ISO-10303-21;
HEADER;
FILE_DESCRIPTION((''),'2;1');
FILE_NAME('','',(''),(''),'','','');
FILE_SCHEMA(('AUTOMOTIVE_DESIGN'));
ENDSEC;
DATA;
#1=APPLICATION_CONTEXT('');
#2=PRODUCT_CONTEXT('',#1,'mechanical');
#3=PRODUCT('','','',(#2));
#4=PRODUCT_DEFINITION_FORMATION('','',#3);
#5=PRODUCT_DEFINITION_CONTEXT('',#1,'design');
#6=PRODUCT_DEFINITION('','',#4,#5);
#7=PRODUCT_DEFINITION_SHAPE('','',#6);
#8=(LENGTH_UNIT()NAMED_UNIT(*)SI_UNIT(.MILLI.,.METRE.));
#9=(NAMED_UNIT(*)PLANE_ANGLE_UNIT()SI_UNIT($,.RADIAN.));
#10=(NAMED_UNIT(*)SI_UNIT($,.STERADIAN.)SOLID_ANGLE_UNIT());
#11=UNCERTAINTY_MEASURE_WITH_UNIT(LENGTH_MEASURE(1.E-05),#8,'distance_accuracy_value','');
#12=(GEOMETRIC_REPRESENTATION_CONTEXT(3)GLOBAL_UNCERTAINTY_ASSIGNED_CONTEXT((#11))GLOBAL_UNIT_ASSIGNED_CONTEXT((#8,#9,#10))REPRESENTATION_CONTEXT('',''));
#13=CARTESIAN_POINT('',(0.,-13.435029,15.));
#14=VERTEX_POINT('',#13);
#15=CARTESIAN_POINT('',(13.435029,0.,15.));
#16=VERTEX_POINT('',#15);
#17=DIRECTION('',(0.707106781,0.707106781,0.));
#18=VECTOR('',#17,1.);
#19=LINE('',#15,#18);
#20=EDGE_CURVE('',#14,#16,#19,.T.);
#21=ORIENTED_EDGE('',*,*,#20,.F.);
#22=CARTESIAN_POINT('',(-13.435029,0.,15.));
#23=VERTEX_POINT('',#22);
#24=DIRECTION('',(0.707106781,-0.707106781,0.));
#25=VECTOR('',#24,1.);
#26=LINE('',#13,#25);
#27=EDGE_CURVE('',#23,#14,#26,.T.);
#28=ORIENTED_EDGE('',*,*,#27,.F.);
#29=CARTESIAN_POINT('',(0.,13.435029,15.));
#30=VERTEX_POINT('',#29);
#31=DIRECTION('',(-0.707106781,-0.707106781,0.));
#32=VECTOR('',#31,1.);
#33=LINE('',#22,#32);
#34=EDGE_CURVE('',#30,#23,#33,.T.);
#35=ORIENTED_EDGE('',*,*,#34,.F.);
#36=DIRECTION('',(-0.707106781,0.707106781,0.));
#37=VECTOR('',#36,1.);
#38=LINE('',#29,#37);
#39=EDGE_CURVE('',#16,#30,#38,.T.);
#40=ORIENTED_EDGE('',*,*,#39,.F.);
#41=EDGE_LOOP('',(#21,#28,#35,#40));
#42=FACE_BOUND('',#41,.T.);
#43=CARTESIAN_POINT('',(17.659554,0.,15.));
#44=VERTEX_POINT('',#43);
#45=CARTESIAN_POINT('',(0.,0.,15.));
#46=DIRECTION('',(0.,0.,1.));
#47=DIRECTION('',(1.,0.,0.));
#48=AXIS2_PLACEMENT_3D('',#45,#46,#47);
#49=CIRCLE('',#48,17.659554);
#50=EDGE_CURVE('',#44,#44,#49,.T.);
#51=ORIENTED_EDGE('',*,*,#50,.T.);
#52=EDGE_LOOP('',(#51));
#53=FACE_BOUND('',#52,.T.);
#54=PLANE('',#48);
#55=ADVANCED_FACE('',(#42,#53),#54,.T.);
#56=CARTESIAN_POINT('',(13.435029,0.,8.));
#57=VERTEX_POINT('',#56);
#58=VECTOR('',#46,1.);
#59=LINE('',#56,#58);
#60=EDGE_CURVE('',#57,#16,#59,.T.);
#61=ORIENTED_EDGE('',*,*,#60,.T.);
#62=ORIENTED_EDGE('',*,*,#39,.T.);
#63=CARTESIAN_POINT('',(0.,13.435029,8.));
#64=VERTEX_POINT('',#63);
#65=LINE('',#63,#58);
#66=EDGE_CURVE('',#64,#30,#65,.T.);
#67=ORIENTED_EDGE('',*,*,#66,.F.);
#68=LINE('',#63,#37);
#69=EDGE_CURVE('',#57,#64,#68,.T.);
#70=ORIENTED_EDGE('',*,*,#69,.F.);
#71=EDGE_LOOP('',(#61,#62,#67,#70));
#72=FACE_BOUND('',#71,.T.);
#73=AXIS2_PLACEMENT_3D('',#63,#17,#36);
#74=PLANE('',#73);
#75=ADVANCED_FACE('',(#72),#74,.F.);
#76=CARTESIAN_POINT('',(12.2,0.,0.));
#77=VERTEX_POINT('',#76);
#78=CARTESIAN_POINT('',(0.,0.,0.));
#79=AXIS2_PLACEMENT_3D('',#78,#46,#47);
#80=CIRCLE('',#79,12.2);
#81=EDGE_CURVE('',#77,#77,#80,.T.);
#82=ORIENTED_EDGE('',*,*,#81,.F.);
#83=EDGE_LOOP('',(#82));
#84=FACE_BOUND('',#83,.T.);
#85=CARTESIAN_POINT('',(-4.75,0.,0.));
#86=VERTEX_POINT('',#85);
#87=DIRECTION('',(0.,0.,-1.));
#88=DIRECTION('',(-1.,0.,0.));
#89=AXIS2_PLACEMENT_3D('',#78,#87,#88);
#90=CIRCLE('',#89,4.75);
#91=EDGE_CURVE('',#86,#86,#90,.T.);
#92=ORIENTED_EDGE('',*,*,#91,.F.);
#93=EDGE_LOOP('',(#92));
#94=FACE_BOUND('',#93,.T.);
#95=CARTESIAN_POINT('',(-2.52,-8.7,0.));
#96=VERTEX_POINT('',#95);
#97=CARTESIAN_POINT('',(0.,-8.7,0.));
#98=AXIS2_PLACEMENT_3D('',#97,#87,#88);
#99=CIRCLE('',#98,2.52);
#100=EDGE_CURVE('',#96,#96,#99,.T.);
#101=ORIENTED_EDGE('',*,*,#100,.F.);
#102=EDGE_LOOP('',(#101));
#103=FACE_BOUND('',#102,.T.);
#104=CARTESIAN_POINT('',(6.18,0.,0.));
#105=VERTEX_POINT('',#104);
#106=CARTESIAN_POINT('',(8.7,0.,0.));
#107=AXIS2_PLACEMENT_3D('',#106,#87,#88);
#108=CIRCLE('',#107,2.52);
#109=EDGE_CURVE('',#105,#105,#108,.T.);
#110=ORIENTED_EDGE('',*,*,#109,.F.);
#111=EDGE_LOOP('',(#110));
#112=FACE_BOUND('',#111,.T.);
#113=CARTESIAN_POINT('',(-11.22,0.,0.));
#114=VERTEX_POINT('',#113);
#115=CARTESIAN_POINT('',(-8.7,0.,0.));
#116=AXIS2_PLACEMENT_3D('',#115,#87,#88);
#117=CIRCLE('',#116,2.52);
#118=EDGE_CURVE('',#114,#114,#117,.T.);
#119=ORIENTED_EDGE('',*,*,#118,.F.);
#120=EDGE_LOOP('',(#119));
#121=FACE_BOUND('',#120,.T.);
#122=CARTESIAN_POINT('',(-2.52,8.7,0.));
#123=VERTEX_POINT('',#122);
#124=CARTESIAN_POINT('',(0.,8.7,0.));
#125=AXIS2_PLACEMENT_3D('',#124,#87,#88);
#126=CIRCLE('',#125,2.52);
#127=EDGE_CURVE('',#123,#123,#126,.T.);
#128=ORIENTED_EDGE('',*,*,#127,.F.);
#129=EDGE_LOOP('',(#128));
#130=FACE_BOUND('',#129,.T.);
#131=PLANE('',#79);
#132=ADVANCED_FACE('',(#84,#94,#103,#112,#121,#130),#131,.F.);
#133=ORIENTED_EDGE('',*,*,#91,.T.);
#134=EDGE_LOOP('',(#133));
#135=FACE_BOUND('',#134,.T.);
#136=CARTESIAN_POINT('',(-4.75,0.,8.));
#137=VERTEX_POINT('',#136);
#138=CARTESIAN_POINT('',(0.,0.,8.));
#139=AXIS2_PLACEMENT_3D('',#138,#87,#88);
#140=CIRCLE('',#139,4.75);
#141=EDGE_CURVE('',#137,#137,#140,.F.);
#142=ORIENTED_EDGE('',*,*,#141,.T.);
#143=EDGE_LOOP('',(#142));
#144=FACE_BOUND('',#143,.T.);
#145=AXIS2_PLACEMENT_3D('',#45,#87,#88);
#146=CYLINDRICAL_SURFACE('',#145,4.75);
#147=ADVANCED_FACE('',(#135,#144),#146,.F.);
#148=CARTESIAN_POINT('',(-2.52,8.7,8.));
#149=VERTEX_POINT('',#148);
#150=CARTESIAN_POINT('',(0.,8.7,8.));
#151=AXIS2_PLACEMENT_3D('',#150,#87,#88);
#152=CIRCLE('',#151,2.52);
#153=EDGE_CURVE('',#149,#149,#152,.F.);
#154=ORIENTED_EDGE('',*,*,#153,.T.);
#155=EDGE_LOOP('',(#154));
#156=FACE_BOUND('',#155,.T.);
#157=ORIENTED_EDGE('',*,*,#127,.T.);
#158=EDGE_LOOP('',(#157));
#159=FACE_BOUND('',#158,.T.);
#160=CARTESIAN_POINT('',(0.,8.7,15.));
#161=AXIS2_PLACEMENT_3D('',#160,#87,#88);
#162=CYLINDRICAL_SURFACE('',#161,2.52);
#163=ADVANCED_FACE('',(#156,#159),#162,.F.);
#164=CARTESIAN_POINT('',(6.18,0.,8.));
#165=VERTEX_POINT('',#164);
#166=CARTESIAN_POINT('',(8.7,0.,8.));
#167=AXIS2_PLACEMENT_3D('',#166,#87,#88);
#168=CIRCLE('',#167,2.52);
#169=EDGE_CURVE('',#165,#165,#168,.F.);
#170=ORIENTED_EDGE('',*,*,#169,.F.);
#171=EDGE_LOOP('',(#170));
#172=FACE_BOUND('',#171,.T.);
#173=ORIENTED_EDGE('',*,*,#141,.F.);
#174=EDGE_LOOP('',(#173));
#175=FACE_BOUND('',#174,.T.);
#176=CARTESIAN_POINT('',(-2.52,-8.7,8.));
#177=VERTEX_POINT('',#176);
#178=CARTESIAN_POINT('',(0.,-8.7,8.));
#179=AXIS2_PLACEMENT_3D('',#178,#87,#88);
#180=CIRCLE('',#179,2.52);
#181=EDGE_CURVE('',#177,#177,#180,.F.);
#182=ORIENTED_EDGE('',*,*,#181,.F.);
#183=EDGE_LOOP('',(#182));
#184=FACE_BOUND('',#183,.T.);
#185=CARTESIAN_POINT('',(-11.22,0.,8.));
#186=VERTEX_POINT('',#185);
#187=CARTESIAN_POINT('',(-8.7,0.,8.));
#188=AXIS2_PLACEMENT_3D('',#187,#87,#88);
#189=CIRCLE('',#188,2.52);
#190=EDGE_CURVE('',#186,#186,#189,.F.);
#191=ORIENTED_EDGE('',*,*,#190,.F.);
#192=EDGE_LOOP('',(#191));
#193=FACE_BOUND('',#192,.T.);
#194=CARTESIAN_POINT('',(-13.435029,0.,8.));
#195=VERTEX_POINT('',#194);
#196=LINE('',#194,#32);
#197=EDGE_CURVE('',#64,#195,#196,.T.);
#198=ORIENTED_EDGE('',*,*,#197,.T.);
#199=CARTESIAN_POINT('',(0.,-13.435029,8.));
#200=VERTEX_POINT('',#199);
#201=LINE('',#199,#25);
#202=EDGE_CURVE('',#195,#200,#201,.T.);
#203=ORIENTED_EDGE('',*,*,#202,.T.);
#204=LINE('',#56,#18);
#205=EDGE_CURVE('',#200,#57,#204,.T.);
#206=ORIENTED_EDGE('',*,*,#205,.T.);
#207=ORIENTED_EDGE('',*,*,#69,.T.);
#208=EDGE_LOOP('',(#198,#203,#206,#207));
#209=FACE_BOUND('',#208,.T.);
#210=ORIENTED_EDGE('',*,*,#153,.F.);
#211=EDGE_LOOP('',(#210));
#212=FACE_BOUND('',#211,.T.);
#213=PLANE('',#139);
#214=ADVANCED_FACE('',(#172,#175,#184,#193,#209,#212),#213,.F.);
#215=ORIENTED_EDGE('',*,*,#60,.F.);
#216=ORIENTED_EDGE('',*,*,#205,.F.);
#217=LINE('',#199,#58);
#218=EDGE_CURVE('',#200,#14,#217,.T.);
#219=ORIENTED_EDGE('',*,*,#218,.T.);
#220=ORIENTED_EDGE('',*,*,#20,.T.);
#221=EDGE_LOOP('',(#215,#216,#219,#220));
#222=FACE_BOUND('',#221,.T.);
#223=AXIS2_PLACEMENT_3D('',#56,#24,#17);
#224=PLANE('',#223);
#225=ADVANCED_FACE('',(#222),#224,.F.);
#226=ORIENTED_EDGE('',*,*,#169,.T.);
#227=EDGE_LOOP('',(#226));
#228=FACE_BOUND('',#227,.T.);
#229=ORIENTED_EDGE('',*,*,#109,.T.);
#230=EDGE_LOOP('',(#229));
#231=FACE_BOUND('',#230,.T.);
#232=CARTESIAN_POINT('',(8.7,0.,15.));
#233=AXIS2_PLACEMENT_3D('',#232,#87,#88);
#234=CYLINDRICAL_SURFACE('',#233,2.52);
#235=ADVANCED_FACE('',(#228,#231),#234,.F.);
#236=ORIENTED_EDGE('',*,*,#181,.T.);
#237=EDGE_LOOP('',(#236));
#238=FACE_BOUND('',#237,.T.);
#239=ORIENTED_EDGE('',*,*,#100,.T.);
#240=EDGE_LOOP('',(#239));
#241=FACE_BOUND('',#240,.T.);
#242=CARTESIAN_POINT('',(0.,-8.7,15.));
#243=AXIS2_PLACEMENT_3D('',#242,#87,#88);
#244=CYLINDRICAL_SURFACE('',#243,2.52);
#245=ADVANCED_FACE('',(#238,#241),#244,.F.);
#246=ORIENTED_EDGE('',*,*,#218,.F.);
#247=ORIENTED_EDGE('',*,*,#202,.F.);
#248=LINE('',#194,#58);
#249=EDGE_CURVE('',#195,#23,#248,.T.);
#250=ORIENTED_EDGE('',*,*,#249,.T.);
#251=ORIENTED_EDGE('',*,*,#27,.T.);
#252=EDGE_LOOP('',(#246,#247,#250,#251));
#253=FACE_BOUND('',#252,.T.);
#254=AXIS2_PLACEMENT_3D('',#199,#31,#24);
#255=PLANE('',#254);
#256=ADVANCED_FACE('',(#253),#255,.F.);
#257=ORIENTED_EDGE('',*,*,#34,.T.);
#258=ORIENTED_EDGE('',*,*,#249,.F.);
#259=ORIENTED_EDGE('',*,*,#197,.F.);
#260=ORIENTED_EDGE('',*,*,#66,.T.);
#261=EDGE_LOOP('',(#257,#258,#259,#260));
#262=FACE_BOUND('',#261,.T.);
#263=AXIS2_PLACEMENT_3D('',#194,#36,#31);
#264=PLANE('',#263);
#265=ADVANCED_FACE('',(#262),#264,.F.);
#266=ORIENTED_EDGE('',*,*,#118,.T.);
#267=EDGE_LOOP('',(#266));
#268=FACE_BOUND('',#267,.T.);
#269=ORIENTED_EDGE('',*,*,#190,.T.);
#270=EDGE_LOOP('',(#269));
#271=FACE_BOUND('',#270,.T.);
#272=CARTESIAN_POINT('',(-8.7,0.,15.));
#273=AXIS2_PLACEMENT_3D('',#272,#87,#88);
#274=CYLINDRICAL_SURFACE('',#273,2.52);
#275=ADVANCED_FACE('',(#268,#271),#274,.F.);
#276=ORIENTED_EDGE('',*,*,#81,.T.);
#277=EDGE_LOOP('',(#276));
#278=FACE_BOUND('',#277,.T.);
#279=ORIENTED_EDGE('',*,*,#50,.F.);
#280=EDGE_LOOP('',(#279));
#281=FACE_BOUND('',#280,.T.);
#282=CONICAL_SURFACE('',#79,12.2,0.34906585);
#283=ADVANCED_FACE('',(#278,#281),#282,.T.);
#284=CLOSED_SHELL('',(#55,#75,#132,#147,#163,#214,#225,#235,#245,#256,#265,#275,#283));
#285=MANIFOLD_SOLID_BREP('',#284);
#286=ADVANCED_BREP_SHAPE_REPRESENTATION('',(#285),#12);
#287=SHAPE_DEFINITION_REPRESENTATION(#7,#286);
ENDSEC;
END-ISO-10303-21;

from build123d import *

# Parameters (mm, degrees)
GEARFACEPROFILE_R           = 12.2
GEARFACEEXTRUDE_DEPTH       = 15
GEARFACEEXTRUDE_TAPER       = -20
CENTERHOLEPROFILE_R         = 4.75
CENTERHOLECUT_DEPTH         = 16.0000001
SCREWHOLEPROFILE_R          = 2.52
SCREWHOLECUT_DEPTH          = 16.0000001
SHAFTCOLLARDOCKINGCUT_DEPTH = 7


with BuildPart() as part:
    # GearFaceProfile → GearFaceExtrude (new body)
    with BuildSketch(Plane.XY):
        Circle(GEARFACEPROFILE_R)
    extrude(amount=GEARFACEEXTRUDE_DEPTH, taper=GEARFACEEXTRUDE_TAPER)

    # CenterHoleProfile → CenterHoleCut (cut, through all)
    with BuildSketch(Plane(origin=(0, 0, 0), x_dir=(-1, 0, 0), z_dir=(0, 0, -1))):
        Circle(CENTERHOLEPROFILE_R)
    extrude(amount=-CENTERHOLECUT_DEPTH, mode=Mode.SUBTRACT)

    # ScrewHoleProfile → ScrewHoleCut (cut, through all)
    with BuildSketch(Plane(origin=(0, 0, 0), x_dir=(-1, 0, 0), z_dir=(0, 0, -1))):
        with Locations((0, 8.7)):
            Circle(SCREWHOLEPROFILE_R)
        with Locations((8.7, 0)):
            Circle(SCREWHOLEPROFILE_R)
        with Locations((0, -8.7)):
            Circle(SCREWHOLEPROFILE_R)
        with Locations((-8.7, 0)):
            Circle(SCREWHOLEPROFILE_R)
    extrude(amount=-SCREWHOLECUT_DEPTH, mode=Mode.SUBTRACT)

    # ShaftCollarAttachmentProfile → ShaftCollarDockingCut (cut)
    with BuildSketch(Plane.XY.offset(15)):
        Polygon((0, 13.435028843), (13.435028843, 0), (0, -13.435028843), (-13.435028843, 0), align=None)
    extrude(amount=-SHAFTCOLLARDOCKINGCUT_DEPTH, mode=Mode.SUBTRACT)


solid = part.part
